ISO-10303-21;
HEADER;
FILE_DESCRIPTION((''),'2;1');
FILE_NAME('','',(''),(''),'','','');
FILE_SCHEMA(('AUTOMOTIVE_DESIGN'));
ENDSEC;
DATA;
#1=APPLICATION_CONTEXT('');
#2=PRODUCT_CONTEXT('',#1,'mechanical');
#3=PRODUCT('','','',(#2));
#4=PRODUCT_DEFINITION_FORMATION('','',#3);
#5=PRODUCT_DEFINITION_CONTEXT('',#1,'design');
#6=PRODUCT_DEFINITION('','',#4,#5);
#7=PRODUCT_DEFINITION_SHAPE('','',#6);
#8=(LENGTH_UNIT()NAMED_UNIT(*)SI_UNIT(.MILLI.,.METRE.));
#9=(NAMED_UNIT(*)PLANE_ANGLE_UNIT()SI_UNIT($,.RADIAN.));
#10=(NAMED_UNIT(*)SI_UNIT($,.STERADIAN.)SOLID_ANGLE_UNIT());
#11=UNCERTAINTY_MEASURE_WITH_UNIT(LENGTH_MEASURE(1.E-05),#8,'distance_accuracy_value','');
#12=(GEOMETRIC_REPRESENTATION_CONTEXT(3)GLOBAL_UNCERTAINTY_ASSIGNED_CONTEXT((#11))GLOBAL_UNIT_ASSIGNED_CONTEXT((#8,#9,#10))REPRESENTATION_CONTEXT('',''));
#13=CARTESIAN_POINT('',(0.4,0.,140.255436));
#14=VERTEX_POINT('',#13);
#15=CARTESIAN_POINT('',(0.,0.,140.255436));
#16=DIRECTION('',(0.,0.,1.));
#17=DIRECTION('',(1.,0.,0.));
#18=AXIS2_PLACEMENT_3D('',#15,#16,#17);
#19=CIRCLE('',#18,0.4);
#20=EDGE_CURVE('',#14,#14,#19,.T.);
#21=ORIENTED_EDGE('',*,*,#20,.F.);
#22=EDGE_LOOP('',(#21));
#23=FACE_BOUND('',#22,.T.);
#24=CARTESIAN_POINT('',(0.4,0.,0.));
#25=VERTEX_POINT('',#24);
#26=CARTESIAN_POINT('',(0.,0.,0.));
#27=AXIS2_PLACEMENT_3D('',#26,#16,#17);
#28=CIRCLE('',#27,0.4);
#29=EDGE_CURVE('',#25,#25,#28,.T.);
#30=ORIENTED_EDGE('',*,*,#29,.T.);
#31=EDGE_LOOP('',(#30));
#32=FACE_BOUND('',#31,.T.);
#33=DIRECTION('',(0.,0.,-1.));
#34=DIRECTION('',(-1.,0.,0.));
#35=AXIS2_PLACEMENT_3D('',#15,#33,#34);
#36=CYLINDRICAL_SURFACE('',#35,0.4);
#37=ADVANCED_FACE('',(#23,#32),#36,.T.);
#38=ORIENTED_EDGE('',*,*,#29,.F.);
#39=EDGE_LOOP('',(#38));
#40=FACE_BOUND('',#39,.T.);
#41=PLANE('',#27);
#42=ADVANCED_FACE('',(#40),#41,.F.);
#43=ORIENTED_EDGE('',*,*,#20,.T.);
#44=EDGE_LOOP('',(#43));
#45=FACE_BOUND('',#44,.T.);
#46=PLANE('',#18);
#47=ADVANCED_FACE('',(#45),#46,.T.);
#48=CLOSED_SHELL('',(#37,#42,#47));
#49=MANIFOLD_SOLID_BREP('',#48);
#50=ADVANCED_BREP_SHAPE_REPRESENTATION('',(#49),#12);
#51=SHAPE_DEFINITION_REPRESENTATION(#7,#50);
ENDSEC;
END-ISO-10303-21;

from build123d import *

# Parameters (mm, degrees)
SKETCH_1_R = 0.4
D0P8_DEPTH = 140.255436133


with BuildPart() as part:
    # 草图1 → D0p8钢索直线跨度 (new body)
    with BuildSketch(Plane.XY):
        Circle(SKETCH_1_R)
    extrude(amount=D0P8_DEPTH)


solid = part.part
